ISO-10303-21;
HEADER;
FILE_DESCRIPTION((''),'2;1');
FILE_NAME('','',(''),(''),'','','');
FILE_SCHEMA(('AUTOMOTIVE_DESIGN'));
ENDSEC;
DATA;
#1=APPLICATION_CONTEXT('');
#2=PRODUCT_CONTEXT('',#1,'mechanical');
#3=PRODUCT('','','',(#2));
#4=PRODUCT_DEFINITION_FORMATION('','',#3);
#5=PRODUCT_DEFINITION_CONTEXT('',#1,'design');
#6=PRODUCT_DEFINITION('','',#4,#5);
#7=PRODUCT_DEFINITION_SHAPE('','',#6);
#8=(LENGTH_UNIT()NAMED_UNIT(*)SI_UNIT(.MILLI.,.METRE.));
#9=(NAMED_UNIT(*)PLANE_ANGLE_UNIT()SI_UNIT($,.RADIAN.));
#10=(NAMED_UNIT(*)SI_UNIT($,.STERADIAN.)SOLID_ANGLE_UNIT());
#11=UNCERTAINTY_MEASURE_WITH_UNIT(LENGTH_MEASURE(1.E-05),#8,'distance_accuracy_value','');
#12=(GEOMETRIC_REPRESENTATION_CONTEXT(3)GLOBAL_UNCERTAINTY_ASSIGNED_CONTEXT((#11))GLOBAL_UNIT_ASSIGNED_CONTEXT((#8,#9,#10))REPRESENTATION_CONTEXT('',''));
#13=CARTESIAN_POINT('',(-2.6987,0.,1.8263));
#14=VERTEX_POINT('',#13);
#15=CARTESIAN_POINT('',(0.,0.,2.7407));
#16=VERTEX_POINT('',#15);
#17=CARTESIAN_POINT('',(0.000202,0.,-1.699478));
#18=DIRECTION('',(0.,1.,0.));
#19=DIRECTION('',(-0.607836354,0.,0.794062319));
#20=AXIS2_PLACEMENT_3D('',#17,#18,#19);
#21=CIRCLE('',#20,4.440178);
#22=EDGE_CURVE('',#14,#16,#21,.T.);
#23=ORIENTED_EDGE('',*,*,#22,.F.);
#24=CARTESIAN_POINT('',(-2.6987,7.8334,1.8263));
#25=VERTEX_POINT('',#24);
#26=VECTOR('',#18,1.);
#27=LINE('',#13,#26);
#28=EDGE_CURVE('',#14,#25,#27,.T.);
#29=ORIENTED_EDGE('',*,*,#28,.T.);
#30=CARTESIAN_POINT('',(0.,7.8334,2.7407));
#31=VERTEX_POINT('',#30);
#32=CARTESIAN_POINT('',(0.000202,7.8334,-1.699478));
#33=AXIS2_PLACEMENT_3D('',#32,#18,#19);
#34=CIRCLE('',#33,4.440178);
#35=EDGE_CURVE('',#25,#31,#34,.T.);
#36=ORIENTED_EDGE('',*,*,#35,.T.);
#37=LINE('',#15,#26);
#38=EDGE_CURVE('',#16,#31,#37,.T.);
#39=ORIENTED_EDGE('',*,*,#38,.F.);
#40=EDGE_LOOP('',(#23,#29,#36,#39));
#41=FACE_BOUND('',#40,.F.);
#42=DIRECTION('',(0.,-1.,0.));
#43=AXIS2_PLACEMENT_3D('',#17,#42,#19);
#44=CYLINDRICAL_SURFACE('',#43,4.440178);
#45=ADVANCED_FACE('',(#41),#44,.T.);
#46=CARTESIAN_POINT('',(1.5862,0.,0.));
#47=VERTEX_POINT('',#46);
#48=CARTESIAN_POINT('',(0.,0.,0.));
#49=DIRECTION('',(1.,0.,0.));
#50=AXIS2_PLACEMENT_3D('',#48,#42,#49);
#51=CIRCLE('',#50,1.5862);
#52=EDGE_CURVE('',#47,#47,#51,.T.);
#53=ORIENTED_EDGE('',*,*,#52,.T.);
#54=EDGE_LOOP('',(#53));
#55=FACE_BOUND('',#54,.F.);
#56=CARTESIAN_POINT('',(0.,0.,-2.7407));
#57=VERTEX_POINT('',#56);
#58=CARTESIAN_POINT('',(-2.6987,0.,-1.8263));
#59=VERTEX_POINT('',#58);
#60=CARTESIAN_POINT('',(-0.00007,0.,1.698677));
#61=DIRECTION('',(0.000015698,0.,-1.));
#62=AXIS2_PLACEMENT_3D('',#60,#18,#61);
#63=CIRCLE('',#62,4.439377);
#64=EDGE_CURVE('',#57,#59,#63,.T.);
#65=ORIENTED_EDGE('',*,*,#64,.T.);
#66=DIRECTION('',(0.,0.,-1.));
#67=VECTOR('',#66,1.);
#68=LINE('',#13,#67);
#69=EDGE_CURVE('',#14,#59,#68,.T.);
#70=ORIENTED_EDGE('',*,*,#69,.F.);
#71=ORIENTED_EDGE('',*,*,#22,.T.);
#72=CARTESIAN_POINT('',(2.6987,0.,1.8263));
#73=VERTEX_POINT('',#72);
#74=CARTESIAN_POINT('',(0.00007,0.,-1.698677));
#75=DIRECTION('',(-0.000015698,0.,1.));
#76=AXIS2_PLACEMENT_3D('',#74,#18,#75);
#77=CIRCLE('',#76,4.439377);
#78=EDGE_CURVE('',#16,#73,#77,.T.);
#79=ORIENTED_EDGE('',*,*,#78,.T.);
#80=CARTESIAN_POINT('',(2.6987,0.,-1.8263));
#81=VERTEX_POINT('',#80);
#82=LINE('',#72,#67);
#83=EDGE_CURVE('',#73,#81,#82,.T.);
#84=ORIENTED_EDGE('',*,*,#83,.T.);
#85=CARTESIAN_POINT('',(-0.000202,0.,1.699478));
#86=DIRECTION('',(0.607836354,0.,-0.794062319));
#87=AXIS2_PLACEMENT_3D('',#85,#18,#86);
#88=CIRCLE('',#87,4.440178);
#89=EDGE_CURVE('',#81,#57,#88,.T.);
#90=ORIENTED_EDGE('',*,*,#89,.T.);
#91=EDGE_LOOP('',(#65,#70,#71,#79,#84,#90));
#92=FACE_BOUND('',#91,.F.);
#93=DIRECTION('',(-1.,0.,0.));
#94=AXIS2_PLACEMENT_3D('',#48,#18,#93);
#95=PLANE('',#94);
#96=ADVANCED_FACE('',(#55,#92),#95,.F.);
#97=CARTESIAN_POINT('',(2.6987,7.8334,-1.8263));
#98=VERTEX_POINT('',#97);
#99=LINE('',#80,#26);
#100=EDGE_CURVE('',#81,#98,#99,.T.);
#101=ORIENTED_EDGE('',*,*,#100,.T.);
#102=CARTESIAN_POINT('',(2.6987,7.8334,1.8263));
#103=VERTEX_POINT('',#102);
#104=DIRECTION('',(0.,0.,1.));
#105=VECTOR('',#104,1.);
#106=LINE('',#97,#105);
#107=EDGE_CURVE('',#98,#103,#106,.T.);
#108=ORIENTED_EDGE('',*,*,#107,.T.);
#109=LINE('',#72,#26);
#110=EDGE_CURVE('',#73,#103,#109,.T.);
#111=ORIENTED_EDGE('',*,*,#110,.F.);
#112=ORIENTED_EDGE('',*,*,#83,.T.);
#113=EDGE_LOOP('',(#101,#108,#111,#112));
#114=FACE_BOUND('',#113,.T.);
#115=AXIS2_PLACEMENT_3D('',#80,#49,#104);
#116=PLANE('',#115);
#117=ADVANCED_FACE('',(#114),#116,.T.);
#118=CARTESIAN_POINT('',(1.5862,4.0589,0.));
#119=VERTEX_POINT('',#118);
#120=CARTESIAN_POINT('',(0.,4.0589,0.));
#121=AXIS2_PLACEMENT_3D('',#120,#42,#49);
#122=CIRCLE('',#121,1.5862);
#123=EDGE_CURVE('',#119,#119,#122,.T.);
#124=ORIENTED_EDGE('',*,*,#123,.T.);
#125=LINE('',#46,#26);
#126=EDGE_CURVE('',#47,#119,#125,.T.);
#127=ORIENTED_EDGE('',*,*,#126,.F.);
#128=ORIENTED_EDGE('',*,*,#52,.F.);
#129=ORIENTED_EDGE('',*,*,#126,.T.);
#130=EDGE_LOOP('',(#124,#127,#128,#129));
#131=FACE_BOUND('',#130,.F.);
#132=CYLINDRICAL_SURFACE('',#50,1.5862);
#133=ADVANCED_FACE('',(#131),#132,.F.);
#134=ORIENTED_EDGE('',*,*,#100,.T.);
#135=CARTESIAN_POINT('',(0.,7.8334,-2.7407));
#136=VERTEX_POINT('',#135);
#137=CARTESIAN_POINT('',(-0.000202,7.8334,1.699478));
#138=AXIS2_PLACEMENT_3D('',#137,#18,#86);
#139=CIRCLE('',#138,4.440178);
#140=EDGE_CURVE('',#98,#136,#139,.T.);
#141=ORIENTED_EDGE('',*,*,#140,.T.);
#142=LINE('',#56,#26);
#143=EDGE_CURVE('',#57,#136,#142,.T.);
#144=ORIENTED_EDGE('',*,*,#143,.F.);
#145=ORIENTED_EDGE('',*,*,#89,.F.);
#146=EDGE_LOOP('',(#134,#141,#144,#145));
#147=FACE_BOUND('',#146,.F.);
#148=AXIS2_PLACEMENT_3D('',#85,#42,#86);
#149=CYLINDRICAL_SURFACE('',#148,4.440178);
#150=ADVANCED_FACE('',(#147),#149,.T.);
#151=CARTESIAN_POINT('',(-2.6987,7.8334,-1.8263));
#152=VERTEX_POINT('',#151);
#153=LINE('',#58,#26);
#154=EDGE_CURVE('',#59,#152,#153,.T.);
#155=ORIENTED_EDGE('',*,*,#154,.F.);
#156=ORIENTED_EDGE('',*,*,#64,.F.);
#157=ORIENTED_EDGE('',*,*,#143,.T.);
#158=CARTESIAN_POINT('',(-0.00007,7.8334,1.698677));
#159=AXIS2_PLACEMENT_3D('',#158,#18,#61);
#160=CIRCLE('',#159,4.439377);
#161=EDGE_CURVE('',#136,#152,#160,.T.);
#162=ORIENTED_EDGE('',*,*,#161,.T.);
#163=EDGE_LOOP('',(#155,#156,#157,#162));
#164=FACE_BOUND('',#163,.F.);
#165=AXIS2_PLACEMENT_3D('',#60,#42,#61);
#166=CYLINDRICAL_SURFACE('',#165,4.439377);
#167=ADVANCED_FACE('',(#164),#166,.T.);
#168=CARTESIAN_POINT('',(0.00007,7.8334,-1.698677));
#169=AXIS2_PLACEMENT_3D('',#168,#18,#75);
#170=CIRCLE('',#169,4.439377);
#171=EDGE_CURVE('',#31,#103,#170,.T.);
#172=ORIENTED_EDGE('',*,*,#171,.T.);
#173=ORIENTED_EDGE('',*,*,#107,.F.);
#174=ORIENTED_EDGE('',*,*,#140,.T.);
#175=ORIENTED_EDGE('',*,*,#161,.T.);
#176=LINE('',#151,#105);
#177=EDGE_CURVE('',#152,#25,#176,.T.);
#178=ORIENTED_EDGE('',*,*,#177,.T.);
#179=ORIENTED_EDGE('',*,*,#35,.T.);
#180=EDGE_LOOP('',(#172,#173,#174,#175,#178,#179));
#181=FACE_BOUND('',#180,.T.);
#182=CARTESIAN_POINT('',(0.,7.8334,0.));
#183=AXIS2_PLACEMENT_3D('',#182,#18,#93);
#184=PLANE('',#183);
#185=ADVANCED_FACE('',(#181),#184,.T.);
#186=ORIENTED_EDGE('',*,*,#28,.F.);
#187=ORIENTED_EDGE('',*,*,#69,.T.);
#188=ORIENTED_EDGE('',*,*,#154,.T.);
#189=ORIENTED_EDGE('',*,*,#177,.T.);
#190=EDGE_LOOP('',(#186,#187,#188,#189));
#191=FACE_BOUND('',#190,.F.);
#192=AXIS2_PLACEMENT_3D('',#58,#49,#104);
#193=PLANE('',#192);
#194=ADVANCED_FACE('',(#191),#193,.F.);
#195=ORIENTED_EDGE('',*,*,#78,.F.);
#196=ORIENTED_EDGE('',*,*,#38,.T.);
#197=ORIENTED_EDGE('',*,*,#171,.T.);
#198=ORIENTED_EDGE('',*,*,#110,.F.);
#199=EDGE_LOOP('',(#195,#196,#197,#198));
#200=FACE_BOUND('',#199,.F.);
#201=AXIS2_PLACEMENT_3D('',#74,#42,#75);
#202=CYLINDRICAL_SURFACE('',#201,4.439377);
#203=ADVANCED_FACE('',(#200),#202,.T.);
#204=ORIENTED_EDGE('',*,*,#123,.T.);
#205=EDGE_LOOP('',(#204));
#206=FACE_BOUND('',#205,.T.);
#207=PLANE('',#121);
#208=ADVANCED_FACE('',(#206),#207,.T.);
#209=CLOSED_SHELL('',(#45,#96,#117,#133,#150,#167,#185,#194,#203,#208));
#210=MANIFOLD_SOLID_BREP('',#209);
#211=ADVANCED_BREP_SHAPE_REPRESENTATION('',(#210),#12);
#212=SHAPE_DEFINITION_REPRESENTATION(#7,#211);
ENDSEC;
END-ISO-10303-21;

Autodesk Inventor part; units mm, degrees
ref_plane "YZ Plane" through (0, 0, 0) normal (1, 0, 0) x (0, 1, 0)
ref_plane "XZ Plane" through (0, 0, 0) normal (0, 1, 0) x (-1, 0, 0)
ref_plane "XY Plane" through (0, 0, 0) normal (0, 0, 1) x (1, 0, 0)
sketch "Sketch1" plane through (0, 0, 0) normal (0, 1, 0) x (-1, 0, 0)
  line L0 (0, 0) -> (2.6987, 0) construction
  line L1 (2.6987, 0) -> (2.6987, -2.7407) construction
  line L2 (2.6987, -2.7407) -> (0, -2.7407) construction
  line L3 (0, -2.7407) -> (0, 0) construction
  line L4 (2.6987, 0) -> (2.6987, -1.8263) construction
  line L5 (2.6987, 0) -> (4.525, 0) construction
  arc A0 (0, -2.7407) -> (2.6987, -1.8263) centre (0, 1.6991) ccw
  line L6 (2.6987, -1.8263) -> (2.6987, 0)
  arc A1 (-2.6987, -1.8263) -> (0, -2.7407) centre (0, 1.6991) ccw
  line L7 (-2.6987, -1.8263) -> (-2.6987, 0)
  arc A2 (2.6987, 1.8263) -> (0, 2.7407) centre (0, -1.6991) ccw
  line L8 (2.6987, 1.8263) -> (2.6987, 0)
  arc A3 (0, 2.7407) -> (-2.6987, 1.8263) centre (0, -1.6991) ccw
  line L9 (-2.6987, 1.8263) -> (-2.6987, 0)
  dimension "d0" = 2.6987
  dimension "d1" = 2.7407
  dimension "d2" = 1.8263
  dimension "d3" = 90
extrude "Extrusion1" add sketch "Sketch1" along normal blind 7.8334
sketch "Sketch2" plane through (0, 0, 0) normal (0, -1, 0) x (1, 0, 0)
  circle A0 centre (0, 0) radius 1.5862
  dimension "d6" = 3.1725
extrude "Extrusion2" cut sketch "Sketch2" against normal blind 4.0589
ref_plane "Work Plane1" through (1.7107, 0, 1.8263) normal (1, 0, 0) x (0, 0, -1)
sketch "Sketch3" plane through (1.7107, 0, 1.8263) normal (1, 0, 0) x (0, 0, -1)
  line L0 (3.6525, 7.8334) -> (0, 7.8334) projected
  line L1 (3.6525, 7.8334) -> (0, 7.8334)
  line L2 (0, 7.8334) -> (0, 9.3066)
  line L3 (0, 9.3066) -> (1.8263, 9.3066) construction
  line L4 (3.6525, 9.3066) -> (3.6525, 7.8334)
  arc A0 (0.7459, 12.8145) -> (2.9066, 12.8145) centre (1.8263, 11.7342) ccw
  line L5 (1.8263, 11.7342) -> (1.8263, 14.772) construction
  line L6 (2.9066, 12.8145) -> (3.9743, 13.8822)
  line L7 (0.7459, 12.8145) -> (-0.3218, 13.8822)
  arc A1 (-0.3218, 13.8822) -> (0, 9.3066) centre (1.8263, 11.7342) ccw
  arc A2 (3.6525, 9.3066) -> (3.9743, 13.8822) centre (1.8263, 11.7342) ccw
  point P0 (1.8263, 0)
  dimension "d10" = 1.4732
  dimension "d12" = 3.0556
  dimension "d13" = 45
  dimension "d14" = 45
properties part number "Hand-y doo dad"
